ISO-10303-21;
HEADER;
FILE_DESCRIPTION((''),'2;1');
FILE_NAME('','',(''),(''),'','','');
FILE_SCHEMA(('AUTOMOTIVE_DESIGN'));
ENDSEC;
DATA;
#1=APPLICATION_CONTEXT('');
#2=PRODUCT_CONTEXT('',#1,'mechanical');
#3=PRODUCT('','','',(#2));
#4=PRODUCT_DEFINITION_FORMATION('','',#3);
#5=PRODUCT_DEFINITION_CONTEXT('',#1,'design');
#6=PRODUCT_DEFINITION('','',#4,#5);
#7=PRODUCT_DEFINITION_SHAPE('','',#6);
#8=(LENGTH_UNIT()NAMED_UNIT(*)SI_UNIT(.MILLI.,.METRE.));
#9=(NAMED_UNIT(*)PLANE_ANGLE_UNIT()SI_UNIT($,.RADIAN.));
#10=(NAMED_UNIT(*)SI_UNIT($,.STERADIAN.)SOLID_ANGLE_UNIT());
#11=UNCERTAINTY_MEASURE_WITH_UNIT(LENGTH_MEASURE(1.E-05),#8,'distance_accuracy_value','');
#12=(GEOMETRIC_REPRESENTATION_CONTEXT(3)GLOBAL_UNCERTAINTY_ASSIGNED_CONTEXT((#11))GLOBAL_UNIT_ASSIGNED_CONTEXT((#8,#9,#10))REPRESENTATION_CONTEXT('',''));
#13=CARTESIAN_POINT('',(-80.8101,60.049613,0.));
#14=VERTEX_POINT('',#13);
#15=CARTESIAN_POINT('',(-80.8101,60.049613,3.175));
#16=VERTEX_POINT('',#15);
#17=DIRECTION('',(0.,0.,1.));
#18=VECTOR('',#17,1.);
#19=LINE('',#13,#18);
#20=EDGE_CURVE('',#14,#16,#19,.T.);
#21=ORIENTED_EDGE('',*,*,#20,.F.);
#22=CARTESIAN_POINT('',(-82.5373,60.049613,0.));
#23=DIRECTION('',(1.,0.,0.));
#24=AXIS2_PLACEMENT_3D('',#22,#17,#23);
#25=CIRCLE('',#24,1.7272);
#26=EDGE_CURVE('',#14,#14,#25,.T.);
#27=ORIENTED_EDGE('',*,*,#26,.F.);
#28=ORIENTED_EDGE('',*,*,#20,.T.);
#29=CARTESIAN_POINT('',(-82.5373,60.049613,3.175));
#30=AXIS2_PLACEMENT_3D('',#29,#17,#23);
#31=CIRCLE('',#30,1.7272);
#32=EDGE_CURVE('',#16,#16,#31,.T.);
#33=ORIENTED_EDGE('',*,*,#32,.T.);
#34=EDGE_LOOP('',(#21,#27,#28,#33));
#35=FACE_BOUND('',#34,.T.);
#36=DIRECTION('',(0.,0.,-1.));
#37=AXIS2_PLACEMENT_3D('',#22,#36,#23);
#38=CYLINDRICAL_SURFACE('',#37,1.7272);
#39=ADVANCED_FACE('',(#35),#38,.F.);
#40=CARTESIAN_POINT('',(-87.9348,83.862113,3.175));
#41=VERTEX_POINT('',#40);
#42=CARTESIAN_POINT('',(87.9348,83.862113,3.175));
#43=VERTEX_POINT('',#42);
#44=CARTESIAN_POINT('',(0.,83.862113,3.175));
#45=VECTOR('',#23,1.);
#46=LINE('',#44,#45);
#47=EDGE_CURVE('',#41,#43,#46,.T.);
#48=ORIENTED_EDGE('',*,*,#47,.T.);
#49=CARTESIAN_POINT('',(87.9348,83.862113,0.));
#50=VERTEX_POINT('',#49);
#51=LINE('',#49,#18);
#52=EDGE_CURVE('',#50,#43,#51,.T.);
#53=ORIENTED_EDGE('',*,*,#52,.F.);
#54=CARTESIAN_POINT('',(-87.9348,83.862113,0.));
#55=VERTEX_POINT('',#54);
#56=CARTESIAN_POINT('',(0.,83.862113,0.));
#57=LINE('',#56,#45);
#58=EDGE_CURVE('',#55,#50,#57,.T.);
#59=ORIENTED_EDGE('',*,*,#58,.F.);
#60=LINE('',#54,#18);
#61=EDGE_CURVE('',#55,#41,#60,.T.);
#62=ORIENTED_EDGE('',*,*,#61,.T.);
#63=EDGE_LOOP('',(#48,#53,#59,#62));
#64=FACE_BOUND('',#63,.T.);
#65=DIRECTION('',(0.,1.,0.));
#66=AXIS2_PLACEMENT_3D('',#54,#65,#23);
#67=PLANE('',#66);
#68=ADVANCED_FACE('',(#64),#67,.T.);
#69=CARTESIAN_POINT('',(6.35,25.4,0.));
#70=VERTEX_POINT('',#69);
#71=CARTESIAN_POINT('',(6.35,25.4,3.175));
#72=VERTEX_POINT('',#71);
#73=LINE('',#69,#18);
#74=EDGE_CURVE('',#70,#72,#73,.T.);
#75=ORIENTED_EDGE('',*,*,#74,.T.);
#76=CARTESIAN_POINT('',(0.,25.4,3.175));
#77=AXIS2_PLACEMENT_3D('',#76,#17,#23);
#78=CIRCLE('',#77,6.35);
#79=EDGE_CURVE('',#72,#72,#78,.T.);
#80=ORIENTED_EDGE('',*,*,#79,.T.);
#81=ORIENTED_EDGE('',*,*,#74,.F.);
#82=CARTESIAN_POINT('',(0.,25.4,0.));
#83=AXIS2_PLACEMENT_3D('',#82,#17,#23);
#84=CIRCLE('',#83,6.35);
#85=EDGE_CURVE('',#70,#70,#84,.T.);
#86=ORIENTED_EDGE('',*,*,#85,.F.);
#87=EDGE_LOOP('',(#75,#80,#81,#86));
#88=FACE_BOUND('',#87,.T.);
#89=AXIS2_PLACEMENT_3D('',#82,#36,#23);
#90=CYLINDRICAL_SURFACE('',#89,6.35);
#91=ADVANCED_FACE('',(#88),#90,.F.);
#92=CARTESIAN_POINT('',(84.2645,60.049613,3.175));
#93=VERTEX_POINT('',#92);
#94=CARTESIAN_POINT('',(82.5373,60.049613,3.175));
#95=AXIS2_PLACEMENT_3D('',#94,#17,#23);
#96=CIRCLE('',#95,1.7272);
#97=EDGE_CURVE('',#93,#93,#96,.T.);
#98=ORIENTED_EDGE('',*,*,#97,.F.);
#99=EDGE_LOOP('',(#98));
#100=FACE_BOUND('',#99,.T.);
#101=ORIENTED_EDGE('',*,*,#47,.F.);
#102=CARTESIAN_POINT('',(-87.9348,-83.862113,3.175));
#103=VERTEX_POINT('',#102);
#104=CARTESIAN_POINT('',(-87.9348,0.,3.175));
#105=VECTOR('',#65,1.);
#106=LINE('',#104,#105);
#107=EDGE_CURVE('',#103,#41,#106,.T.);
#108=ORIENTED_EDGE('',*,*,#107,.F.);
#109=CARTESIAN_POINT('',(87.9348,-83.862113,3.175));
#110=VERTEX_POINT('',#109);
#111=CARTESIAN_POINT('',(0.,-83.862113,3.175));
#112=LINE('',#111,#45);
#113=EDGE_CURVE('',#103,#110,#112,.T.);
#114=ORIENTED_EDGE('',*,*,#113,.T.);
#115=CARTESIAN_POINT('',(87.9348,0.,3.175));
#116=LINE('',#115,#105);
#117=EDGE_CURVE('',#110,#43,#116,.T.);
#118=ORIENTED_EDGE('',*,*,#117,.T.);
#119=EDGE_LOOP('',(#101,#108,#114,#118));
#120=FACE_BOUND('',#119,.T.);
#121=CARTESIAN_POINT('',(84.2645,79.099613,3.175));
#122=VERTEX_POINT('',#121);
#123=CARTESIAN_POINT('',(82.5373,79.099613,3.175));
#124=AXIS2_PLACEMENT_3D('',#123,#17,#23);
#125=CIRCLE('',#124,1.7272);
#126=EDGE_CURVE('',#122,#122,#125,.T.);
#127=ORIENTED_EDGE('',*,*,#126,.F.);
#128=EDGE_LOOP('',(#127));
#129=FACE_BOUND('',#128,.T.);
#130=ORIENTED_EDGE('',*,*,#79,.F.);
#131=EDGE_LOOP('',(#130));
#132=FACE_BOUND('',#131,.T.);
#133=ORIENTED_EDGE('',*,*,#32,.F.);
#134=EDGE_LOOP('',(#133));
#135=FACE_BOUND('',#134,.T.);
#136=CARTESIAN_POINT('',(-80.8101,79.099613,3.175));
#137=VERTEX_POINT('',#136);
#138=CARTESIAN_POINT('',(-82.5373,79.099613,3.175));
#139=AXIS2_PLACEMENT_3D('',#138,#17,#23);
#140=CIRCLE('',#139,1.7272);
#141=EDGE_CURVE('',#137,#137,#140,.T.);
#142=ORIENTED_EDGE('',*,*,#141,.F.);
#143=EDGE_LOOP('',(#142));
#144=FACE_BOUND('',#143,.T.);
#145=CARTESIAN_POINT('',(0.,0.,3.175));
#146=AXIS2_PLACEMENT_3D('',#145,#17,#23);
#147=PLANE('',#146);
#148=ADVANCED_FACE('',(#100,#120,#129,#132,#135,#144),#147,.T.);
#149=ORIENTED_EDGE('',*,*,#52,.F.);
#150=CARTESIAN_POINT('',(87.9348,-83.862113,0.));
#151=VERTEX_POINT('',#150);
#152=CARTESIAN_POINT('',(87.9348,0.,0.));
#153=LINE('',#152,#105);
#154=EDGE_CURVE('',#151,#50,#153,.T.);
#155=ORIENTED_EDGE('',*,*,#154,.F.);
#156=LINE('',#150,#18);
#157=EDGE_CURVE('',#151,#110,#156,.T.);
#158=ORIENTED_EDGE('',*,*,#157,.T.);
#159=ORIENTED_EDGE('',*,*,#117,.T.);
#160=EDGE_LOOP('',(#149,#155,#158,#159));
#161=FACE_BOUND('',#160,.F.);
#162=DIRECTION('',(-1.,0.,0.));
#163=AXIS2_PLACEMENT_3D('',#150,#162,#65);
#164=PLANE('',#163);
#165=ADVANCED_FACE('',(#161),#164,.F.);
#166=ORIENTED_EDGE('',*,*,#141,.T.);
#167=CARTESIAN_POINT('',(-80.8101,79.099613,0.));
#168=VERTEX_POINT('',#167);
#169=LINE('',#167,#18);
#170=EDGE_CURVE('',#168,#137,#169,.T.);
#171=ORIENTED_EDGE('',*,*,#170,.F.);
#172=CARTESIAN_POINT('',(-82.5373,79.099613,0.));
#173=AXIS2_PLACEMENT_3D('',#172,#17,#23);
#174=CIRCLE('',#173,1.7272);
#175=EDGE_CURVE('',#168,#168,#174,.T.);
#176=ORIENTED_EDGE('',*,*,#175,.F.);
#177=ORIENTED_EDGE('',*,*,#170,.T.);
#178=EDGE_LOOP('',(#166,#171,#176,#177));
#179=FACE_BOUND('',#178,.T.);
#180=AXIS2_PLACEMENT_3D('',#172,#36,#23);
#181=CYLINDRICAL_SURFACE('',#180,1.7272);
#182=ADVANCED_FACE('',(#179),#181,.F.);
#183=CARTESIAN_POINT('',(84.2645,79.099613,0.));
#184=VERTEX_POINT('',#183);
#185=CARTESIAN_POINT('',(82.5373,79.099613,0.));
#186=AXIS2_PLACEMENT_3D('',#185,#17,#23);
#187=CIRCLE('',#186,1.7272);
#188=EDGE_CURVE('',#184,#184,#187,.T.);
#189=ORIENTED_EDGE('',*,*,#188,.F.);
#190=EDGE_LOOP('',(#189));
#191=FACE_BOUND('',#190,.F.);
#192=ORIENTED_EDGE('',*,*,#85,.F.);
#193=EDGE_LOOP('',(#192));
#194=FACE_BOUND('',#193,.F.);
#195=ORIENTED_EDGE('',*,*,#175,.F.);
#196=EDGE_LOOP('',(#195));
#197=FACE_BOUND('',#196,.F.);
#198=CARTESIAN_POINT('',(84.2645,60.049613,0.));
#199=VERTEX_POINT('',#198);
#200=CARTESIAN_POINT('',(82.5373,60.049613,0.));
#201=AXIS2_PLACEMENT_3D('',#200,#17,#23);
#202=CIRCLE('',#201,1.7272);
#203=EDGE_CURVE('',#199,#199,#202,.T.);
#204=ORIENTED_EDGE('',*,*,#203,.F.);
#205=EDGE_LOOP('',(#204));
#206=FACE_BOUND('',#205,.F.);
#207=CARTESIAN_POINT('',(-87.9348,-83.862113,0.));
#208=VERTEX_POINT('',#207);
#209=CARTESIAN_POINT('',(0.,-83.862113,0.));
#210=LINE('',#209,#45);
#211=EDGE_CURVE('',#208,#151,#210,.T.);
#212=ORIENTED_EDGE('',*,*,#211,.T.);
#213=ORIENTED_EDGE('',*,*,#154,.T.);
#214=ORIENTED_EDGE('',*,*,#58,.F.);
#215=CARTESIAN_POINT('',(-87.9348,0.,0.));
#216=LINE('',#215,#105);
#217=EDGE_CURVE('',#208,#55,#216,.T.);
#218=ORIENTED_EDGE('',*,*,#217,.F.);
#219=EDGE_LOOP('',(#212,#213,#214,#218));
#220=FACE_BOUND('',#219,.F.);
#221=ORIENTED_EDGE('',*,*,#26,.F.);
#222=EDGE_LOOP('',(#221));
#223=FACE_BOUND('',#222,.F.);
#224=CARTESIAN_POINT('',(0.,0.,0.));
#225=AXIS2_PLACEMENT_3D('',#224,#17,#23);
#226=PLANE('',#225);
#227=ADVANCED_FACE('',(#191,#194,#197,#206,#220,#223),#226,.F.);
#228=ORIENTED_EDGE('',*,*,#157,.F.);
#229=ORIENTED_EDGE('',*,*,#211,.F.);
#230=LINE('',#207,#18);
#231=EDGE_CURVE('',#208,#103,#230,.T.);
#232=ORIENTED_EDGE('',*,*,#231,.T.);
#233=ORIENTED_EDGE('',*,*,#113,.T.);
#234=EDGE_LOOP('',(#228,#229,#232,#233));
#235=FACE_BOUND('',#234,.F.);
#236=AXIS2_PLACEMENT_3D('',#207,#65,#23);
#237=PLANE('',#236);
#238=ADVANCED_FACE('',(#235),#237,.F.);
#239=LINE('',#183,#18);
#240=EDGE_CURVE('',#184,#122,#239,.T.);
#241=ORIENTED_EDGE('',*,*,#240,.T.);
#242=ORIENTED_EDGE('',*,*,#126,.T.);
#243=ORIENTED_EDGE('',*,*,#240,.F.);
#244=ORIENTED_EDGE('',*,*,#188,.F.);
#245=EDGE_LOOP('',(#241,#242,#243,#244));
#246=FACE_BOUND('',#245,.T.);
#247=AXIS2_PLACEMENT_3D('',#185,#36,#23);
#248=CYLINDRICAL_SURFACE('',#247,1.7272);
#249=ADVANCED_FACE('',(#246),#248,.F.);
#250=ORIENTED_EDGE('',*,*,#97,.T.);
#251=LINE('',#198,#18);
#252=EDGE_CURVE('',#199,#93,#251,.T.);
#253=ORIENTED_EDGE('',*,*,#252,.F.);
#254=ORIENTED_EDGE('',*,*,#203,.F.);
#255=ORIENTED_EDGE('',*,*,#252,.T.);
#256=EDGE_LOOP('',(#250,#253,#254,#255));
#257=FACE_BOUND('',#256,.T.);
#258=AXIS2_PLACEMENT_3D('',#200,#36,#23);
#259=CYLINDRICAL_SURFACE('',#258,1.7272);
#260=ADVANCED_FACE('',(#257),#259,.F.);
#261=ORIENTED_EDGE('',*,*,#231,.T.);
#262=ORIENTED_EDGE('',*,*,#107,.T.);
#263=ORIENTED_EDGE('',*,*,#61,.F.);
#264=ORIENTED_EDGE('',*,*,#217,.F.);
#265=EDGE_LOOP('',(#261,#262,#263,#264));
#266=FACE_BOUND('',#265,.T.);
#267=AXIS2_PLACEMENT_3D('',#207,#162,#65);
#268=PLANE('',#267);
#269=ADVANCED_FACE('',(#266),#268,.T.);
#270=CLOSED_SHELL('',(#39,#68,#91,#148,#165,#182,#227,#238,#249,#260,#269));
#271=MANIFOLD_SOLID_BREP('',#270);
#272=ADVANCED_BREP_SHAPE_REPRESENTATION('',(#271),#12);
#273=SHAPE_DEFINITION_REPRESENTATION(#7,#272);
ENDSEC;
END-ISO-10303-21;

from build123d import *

# Parameters (mm, degrees)
F0_W     = 175.8696
F0_H     = 167.724226
F0_R     = 1.7272
F0_R_2   = 6.35
F1_DEPTH = 3.175


with BuildPart() as f1:
    # F0 (on Top) → F1 (new body)
    with BuildSketch(Plane.XY):
        Rectangle(F0_W, F0_H)
        with Locations((-82.5373, 60.049613)):
            Circle(F0_R, mode=Mode.SUBTRACT)
        with Locations((-82.5373, 79.099613)):
            Circle(F0_R, mode=Mode.SUBTRACT)
        with Locations((0, 25.4)):
            Circle(F0_R_2, mode=Mode.SUBTRACT)
        with Locations((82.5373, 60.049613)):
            Circle(F0_R, mode=Mode.SUBTRACT)
        with Locations((82.5373, 79.099613)):
            Circle(F0_R, mode=Mode.SUBTRACT)
    extrude(amount=F1_DEPTH)


solid = f1.part
